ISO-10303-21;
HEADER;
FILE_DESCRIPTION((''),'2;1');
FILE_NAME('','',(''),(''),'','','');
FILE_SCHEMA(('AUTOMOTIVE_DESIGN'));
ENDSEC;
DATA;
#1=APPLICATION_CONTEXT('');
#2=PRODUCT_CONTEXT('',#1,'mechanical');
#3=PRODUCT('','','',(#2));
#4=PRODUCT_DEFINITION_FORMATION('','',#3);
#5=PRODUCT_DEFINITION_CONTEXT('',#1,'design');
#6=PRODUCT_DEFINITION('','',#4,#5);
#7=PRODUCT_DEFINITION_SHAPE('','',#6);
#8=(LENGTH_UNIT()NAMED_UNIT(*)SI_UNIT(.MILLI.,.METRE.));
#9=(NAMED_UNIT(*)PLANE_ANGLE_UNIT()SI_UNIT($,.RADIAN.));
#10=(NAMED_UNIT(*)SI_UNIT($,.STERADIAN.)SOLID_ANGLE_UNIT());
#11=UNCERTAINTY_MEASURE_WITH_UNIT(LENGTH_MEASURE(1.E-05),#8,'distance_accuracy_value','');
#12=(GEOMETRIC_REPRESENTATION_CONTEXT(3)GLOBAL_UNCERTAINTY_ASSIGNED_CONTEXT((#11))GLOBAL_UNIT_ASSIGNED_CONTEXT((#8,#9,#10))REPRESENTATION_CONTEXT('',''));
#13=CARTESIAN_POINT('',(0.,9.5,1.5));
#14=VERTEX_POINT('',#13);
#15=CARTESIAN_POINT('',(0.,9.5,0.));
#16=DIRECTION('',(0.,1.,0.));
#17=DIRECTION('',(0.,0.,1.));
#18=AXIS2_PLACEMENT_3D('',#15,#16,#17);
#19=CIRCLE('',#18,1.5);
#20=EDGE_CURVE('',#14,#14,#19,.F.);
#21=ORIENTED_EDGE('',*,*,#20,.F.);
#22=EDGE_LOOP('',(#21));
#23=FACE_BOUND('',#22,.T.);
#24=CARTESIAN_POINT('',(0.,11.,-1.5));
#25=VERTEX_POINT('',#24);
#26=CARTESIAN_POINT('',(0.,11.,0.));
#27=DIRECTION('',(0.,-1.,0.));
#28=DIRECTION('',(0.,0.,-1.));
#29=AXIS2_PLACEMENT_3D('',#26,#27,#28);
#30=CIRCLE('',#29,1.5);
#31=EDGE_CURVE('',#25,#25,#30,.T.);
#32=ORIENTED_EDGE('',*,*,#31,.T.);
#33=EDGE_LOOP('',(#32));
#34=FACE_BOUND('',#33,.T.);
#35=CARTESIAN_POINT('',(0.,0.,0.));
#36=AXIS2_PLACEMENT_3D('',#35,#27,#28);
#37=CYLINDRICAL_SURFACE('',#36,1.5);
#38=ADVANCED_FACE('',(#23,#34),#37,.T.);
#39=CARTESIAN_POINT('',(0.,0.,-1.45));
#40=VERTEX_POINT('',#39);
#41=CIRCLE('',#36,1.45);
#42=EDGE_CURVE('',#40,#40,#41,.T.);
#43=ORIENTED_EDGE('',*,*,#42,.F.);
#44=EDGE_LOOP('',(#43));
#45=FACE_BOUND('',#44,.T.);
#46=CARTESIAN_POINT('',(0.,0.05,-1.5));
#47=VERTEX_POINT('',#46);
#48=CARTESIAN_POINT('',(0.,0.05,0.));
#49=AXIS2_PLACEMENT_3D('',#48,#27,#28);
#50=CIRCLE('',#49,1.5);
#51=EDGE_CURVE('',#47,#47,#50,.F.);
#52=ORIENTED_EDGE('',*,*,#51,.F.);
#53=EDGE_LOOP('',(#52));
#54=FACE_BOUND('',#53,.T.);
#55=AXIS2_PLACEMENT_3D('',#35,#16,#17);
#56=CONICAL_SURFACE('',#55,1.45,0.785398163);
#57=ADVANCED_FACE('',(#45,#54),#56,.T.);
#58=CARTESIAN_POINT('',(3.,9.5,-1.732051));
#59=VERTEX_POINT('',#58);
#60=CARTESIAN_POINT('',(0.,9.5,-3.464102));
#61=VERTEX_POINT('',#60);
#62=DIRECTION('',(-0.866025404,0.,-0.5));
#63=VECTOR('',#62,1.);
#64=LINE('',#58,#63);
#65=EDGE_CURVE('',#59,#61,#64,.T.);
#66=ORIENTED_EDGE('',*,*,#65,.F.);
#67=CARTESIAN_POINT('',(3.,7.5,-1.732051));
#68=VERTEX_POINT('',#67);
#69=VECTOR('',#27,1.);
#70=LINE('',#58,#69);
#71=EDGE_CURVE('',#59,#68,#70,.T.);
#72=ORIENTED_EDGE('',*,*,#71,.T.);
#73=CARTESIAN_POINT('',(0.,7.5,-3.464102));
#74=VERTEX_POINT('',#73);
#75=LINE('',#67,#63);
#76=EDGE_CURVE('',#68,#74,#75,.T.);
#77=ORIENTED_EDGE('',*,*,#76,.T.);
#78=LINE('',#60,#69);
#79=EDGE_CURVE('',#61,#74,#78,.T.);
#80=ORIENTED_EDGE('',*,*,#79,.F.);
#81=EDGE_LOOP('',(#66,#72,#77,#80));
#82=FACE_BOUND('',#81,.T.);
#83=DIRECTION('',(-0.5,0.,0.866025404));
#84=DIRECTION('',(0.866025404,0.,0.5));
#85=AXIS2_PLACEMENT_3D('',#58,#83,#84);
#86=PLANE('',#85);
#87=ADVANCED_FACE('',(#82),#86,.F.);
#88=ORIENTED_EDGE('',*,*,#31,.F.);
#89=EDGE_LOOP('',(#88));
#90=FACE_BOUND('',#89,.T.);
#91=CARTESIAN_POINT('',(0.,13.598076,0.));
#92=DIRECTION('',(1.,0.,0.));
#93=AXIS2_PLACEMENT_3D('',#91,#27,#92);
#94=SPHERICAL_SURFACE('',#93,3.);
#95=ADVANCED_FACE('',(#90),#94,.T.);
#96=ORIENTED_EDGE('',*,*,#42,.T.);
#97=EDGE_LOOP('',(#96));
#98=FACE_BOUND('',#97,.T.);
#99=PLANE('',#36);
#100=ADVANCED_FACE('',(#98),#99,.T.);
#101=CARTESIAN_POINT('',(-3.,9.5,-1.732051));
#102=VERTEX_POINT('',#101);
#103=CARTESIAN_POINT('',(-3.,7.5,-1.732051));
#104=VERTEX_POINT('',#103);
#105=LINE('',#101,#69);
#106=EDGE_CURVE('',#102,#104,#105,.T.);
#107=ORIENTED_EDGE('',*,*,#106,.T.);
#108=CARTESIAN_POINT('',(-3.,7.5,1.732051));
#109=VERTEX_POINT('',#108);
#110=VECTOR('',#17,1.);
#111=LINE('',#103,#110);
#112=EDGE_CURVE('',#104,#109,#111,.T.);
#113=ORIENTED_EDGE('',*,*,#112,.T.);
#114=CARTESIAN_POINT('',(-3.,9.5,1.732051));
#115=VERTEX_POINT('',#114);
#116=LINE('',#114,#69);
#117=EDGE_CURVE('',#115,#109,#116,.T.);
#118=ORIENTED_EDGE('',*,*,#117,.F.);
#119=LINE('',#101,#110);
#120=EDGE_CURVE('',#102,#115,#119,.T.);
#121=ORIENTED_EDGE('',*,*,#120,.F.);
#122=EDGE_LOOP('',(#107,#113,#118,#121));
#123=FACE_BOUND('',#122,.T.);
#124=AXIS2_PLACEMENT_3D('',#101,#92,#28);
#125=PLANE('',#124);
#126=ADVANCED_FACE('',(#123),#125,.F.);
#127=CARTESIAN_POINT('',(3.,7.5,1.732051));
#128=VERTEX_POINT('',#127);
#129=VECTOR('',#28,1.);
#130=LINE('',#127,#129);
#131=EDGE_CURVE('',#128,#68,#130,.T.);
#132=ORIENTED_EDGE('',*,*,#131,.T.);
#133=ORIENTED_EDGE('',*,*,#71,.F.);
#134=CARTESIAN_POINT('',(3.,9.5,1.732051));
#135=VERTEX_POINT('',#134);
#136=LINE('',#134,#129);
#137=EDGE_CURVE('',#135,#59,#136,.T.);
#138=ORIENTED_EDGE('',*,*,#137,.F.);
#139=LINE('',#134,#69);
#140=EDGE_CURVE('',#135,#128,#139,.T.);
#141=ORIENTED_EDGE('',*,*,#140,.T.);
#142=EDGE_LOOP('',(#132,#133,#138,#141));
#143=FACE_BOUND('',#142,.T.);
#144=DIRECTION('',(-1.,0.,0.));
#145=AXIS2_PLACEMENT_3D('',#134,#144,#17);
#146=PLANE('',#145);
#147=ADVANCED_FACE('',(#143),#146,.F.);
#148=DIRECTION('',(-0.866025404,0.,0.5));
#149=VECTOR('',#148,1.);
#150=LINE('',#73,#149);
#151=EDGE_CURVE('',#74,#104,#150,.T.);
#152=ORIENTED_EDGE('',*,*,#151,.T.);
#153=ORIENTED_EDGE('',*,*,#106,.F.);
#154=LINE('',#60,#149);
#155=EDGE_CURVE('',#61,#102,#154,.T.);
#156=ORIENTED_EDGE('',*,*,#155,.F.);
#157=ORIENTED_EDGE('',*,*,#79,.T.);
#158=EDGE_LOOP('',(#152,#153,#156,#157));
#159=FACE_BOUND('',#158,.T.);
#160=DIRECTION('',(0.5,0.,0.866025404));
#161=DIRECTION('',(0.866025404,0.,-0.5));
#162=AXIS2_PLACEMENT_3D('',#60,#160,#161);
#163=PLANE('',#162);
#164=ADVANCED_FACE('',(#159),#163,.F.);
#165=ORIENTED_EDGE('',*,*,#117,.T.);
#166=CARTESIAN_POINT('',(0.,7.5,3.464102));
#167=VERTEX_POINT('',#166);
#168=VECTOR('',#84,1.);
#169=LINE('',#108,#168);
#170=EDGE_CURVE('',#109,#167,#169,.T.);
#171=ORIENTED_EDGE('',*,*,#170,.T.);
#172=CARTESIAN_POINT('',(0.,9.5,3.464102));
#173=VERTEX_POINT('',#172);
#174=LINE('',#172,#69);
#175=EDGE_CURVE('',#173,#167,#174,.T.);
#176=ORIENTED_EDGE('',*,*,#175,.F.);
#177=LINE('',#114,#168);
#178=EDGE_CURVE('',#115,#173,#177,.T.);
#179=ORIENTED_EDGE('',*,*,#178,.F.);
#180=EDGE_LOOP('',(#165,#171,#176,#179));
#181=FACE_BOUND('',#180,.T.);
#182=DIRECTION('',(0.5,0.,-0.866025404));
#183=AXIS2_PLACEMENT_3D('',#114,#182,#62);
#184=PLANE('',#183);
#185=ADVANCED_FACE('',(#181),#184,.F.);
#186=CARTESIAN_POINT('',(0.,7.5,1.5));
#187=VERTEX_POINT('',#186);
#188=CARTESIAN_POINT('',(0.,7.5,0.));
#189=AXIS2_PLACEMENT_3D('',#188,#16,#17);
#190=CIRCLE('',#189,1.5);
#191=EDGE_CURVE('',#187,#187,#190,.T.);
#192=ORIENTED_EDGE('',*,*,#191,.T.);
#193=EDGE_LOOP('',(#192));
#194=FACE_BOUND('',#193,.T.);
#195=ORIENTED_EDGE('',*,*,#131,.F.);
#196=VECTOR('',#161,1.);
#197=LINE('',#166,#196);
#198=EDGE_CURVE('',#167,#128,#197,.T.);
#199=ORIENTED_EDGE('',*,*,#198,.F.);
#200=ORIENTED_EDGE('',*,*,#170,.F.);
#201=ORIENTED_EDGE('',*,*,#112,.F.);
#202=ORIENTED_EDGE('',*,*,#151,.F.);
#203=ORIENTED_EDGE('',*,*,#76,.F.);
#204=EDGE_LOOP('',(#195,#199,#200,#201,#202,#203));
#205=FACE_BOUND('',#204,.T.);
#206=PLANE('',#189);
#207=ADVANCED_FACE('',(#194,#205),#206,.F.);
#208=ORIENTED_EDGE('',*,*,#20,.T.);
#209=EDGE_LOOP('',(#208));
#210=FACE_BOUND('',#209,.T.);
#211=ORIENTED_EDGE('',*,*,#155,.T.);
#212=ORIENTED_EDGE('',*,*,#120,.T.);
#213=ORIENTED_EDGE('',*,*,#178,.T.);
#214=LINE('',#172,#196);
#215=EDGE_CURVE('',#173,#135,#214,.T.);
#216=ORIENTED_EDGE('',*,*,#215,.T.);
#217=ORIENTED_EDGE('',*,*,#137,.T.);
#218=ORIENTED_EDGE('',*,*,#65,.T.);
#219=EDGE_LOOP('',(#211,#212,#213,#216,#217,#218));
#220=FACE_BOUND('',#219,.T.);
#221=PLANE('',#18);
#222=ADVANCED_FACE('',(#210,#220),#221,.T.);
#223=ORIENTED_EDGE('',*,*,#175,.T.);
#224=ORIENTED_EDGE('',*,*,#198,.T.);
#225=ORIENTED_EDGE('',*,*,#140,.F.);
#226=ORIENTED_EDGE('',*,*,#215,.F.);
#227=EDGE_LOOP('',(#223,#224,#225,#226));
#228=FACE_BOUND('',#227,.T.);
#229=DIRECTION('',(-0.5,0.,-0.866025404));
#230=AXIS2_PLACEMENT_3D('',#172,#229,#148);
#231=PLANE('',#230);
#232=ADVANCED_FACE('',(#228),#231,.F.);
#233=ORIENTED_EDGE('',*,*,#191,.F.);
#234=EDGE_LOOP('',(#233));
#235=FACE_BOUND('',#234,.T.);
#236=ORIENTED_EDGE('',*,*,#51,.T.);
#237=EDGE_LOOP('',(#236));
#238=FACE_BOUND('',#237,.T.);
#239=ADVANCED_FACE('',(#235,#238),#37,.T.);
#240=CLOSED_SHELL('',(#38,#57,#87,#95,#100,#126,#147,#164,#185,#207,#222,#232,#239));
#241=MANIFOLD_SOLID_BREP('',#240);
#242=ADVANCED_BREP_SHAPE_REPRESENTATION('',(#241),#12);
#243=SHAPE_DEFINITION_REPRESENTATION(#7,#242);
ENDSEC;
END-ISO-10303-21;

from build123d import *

# Parameters (mm, degrees)
CHAMFER1_SIZE       = 0.05
SKETCH3_R           = 1.5
BOSS_EXTRUDE1_DEPTH = 2


with BuildPart() as part:
    # Sketch1 → Revolve1 (revolve)
    with BuildSketch(Plane.XY):
        with BuildLine():
            Line((0, 0), (1.5, 0))
            Line((1.5, 0), (1.5, 11))
            ThreePointArc((1.5, 11), (2.897777479, 14.374533347), (0, 16.598076211))
            Line((0, 16.598076211), (0, 0))
        make_face()
    revolve(axis=Axis((0, 0, 0), (0, 1, 0)))

    # Chamfer1
    chamfer1_edges = [part.edges().sort_by_distance(p)[0] for p in [
        (-1.5, 0, 0),
    ]]
    chamfer(chamfer1_edges, length=CHAMFER1_SIZE)

    # Sketch3 → Boss-Extrude1 (add)
    with BuildSketch(Plane(origin=(0, 7.5, 0), x_dir=(1, 0, 0), z_dir=(0, 1, 0))):
        Polygon((3, 1.732050808), (0, 3.464101615), (-3, 1.732050808), (-3, -1.732050808), (0, -3.464101615), (3, -1.732050808), align=None)
        Circle(SKETCH3_R, mode=Mode.SUBTRACT)
    extrude(amount=BOSS_EXTRUDE1_DEPTH)


solid = part.part
